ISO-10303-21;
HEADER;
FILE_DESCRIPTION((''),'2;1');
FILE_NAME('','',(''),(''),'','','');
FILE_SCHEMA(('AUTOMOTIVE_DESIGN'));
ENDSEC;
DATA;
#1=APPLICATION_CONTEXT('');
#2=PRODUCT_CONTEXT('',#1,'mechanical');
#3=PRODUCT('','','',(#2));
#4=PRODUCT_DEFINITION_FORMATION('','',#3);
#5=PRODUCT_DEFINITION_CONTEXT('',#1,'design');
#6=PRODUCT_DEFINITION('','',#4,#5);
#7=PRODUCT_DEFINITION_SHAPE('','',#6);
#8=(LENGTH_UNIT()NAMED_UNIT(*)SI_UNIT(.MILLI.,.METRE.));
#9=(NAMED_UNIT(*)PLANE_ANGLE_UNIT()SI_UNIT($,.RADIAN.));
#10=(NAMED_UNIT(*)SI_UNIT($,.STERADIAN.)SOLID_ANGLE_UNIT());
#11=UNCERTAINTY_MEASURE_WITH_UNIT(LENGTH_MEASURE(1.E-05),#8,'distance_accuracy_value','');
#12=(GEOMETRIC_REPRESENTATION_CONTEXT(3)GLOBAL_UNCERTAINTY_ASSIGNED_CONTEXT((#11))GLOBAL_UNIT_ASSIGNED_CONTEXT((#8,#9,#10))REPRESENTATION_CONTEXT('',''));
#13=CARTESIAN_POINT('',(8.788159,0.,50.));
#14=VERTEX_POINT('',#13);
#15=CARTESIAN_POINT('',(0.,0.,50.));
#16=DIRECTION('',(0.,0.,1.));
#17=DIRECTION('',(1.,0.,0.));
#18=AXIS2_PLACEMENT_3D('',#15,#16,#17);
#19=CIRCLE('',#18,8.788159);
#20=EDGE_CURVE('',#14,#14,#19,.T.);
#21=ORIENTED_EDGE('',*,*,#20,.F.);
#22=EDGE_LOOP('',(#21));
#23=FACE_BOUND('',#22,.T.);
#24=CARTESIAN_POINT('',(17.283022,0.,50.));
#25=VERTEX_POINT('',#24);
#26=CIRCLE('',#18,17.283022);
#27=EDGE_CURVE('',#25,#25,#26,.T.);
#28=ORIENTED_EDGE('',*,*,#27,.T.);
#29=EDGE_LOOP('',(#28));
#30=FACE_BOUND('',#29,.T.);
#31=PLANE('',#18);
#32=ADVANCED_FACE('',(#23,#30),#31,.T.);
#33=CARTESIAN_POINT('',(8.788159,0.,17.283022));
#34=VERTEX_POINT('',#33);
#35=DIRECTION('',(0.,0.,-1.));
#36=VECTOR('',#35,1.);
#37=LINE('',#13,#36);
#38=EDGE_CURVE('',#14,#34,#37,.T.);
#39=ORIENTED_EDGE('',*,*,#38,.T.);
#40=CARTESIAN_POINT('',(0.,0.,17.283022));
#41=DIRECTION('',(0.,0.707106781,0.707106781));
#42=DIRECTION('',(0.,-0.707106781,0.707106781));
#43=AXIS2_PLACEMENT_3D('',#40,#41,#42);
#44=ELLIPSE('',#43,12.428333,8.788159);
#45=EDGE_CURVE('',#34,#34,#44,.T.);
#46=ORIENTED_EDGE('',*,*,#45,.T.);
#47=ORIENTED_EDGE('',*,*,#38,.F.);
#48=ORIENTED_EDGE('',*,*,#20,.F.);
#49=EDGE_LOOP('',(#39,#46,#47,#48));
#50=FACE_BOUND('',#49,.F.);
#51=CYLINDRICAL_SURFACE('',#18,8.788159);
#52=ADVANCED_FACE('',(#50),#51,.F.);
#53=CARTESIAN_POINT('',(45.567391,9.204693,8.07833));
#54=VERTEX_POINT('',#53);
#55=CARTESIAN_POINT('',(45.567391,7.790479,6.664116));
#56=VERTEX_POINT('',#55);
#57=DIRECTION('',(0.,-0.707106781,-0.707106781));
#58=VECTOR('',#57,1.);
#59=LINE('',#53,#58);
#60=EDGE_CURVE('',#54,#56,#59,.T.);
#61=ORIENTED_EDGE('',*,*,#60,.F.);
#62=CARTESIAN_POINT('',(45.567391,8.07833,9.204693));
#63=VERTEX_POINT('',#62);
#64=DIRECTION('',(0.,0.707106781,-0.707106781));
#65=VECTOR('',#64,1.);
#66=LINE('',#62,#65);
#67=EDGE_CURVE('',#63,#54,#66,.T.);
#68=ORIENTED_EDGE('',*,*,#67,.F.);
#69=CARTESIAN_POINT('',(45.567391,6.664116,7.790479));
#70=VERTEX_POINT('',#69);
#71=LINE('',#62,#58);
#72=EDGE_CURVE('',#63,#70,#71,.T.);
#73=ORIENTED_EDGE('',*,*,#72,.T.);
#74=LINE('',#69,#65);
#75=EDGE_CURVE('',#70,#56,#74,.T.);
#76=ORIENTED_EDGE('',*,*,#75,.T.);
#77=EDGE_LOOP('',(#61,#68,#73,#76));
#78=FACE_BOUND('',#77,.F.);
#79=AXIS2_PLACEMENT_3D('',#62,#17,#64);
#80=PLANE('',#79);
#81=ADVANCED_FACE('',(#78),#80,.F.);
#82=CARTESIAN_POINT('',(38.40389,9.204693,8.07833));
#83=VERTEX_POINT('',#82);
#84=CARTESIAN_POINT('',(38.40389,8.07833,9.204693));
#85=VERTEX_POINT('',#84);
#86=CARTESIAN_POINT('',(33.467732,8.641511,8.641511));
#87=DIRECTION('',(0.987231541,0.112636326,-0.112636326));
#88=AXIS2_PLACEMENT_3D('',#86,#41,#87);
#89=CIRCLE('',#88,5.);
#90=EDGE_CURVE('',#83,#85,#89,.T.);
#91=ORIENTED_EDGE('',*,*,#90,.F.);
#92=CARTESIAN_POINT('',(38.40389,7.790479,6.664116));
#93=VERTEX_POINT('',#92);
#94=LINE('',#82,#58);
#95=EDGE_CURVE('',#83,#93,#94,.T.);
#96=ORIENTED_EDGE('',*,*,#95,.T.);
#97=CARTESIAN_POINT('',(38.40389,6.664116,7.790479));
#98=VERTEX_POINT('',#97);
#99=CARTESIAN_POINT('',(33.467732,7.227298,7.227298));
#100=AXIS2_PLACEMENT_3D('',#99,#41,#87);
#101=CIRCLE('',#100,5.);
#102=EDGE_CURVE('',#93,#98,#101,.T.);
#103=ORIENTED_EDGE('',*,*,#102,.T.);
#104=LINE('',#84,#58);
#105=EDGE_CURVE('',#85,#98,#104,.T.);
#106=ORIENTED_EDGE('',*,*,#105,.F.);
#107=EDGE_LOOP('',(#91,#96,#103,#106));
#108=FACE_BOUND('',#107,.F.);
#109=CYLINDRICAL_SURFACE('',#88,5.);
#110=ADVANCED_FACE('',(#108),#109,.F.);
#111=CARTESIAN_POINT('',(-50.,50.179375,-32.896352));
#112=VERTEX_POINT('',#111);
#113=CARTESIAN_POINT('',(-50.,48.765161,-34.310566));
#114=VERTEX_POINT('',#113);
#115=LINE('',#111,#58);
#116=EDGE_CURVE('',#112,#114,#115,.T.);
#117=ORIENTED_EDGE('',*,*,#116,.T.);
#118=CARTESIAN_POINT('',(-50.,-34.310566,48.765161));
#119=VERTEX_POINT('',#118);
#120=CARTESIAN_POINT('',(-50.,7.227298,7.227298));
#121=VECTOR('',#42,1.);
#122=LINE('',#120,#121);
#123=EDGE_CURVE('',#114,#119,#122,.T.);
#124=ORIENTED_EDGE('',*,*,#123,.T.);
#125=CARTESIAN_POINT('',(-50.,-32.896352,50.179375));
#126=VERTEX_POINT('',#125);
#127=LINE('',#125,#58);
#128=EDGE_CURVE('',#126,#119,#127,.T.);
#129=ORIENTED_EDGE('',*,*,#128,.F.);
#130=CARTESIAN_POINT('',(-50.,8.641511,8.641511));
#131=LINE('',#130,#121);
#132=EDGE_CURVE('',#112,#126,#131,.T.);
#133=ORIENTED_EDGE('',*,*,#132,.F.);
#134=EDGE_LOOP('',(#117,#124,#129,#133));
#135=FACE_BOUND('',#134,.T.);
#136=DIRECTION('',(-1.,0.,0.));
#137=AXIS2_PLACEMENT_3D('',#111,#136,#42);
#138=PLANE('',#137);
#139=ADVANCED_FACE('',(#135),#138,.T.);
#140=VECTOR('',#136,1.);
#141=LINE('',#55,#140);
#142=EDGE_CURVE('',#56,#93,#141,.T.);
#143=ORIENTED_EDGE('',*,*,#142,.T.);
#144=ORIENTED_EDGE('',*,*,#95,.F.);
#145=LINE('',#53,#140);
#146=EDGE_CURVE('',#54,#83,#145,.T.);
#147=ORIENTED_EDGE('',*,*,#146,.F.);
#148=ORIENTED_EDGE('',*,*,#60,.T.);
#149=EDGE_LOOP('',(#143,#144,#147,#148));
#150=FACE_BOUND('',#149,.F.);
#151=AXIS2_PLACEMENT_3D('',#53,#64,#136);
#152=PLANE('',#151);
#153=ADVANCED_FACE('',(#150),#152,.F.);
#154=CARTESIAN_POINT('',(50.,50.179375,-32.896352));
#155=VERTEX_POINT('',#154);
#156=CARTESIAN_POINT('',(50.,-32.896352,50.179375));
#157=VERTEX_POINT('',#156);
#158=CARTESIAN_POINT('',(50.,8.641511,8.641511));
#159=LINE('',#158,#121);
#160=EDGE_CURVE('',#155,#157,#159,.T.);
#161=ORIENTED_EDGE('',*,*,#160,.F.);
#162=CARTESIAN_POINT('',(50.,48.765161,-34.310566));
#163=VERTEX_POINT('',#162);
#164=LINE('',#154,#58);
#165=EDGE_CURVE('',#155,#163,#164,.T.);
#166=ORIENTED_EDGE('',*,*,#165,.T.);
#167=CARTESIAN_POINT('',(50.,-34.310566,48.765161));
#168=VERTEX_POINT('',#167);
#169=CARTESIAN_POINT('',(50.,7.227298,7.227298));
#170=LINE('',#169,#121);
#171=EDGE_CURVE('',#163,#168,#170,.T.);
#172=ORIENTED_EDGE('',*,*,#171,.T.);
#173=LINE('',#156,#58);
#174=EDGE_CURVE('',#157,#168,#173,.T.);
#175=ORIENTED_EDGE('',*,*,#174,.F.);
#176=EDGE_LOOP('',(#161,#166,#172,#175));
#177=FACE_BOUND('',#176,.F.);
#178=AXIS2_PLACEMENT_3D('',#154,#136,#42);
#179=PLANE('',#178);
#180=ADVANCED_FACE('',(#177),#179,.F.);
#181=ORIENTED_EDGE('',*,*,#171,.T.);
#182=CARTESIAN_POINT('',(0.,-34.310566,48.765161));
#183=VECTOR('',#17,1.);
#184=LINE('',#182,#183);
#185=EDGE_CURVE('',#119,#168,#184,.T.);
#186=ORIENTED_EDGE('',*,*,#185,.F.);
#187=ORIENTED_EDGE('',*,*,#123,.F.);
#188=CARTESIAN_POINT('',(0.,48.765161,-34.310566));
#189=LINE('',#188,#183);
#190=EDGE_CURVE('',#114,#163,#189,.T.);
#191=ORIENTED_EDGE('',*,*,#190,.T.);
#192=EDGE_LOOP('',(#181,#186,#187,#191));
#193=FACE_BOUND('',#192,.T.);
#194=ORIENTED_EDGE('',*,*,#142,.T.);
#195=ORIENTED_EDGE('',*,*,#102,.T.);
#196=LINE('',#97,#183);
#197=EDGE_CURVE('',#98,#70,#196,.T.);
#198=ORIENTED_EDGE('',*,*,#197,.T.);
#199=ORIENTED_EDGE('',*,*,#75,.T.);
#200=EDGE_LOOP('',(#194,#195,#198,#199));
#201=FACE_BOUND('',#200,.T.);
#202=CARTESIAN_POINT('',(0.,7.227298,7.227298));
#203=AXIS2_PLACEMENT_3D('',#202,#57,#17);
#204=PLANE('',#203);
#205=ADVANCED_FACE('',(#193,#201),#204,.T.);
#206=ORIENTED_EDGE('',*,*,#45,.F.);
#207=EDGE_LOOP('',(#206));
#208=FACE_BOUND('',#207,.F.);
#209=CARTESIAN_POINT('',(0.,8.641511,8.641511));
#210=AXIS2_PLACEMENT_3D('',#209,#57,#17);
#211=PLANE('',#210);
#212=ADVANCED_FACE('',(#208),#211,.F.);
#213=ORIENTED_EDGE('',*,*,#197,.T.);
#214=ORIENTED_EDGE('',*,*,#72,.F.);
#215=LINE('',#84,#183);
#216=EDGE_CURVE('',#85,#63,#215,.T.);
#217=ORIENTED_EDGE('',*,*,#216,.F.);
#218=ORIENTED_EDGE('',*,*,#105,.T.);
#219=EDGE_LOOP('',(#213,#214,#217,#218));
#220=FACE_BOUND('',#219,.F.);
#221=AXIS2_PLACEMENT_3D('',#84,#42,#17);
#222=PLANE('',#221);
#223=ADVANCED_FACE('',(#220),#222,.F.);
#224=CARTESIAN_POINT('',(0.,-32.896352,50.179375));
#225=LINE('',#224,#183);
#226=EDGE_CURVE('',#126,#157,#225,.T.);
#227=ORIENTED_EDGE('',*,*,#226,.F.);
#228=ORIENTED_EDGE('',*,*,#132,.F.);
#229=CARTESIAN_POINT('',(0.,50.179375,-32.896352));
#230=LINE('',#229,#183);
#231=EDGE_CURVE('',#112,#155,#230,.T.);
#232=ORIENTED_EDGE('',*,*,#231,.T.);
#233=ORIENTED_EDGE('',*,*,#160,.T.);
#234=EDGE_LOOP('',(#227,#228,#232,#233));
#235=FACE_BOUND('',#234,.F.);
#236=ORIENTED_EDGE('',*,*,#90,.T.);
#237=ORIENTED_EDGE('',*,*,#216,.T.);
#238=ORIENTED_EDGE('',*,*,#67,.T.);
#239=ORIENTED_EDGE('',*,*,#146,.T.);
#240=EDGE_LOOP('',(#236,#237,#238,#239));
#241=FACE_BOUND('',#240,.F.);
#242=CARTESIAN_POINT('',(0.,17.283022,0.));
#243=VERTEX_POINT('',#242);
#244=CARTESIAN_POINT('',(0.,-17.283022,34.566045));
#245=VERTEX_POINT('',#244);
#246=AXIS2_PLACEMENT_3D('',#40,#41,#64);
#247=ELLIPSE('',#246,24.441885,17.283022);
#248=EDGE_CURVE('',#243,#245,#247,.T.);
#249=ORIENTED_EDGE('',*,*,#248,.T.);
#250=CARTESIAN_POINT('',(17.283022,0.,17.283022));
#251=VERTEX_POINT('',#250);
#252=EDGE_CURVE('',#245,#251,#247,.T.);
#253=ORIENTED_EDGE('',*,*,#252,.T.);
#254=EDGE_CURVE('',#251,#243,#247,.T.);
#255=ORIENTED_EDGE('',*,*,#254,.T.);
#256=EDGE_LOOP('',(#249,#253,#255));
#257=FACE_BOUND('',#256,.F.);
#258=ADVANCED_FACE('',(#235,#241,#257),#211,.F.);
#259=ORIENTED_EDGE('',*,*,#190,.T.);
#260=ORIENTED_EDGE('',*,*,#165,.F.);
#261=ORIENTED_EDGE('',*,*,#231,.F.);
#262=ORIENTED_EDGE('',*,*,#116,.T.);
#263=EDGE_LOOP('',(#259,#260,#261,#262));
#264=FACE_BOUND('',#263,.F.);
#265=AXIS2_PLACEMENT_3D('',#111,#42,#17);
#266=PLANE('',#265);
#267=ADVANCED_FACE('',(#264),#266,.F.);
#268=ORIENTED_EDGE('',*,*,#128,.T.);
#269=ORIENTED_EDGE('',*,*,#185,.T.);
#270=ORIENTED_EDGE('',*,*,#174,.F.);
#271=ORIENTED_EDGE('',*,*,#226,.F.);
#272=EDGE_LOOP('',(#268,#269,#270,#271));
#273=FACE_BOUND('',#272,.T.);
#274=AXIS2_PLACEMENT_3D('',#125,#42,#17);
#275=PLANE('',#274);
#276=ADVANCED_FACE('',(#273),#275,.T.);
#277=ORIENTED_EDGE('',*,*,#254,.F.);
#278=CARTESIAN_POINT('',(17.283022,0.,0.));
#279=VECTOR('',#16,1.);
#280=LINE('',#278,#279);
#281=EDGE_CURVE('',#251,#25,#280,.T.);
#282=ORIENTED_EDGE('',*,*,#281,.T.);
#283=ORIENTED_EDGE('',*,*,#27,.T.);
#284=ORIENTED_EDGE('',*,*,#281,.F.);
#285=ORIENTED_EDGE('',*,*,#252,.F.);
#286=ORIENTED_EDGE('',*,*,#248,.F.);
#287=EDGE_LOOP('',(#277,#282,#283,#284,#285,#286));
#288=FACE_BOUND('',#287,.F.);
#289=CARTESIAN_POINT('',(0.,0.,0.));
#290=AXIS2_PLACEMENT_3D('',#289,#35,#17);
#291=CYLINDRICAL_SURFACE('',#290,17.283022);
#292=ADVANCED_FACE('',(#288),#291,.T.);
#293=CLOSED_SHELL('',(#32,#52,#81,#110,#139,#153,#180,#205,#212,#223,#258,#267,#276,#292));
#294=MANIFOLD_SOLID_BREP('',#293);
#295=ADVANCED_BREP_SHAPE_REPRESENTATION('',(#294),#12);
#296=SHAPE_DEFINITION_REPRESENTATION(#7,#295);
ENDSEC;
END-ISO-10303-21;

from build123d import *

# Parameters (mm, degrees)
F0_R     = 17.283022434
F1_DEPTH = 50
F2_R     = 8.7881586796
F3_DEPTH = 50
F5_DEPTH = 20
F7_W     = 100
F7_H     = 117.4868202522
F8_DEPTH = 2


with BuildPart() as f1:
    # F0 (on Top) → F1 (new body)
    with BuildSketch(Plane.XY):
        Circle(F0_R)
    extrude(amount=F1_DEPTH)

    # F2 (on face) → F3 (cut)
    with BuildSketch(Plane.XY.offset(50)):
        Circle(F2_R)
    extrude(amount=-F3_DEPTH, mode=Mode.SUBTRACT)

    # F4 (on Right) → F5 (cut, symmetric)
    with BuildSketch(Plane.YZ):
        Polygon((-17.283022434, 34.5660448679), (-17.283022434, 0), (17.283022434, 0), align=None)
    extrude(amount=F5_DEPTH, both=True, mode=Mode.SUBTRACT)

    # F7 (on offset) → F8 (join)
    with BuildSketch(Plane(origin=(0, 8.641511217, 8.641511217), x_dir=(1, 0, 0), z_dir=(0, -0.7071067812, -0.7071067812))):
        Rectangle(F7_W, F7_H)
        with BuildLine():
            ThreePointArc((38.4038900758, -0.7964591027), (28.4677323699, 0), (38.4038900758, 0.7964591027))
            Line((38.4038900758, 0.7964591027), (45.567390877, 0.7964591027))
            Line((45.567390877, 0.7964591027), (45.567390877, -0.7964591027))
            Line((45.567390877, -0.7964591027), (38.4038900758, -0.7964591027))
        make_face(mode=Mode.SUBTRACT)
    extrude(amount=F8_DEPTH)


solid = f1.part
